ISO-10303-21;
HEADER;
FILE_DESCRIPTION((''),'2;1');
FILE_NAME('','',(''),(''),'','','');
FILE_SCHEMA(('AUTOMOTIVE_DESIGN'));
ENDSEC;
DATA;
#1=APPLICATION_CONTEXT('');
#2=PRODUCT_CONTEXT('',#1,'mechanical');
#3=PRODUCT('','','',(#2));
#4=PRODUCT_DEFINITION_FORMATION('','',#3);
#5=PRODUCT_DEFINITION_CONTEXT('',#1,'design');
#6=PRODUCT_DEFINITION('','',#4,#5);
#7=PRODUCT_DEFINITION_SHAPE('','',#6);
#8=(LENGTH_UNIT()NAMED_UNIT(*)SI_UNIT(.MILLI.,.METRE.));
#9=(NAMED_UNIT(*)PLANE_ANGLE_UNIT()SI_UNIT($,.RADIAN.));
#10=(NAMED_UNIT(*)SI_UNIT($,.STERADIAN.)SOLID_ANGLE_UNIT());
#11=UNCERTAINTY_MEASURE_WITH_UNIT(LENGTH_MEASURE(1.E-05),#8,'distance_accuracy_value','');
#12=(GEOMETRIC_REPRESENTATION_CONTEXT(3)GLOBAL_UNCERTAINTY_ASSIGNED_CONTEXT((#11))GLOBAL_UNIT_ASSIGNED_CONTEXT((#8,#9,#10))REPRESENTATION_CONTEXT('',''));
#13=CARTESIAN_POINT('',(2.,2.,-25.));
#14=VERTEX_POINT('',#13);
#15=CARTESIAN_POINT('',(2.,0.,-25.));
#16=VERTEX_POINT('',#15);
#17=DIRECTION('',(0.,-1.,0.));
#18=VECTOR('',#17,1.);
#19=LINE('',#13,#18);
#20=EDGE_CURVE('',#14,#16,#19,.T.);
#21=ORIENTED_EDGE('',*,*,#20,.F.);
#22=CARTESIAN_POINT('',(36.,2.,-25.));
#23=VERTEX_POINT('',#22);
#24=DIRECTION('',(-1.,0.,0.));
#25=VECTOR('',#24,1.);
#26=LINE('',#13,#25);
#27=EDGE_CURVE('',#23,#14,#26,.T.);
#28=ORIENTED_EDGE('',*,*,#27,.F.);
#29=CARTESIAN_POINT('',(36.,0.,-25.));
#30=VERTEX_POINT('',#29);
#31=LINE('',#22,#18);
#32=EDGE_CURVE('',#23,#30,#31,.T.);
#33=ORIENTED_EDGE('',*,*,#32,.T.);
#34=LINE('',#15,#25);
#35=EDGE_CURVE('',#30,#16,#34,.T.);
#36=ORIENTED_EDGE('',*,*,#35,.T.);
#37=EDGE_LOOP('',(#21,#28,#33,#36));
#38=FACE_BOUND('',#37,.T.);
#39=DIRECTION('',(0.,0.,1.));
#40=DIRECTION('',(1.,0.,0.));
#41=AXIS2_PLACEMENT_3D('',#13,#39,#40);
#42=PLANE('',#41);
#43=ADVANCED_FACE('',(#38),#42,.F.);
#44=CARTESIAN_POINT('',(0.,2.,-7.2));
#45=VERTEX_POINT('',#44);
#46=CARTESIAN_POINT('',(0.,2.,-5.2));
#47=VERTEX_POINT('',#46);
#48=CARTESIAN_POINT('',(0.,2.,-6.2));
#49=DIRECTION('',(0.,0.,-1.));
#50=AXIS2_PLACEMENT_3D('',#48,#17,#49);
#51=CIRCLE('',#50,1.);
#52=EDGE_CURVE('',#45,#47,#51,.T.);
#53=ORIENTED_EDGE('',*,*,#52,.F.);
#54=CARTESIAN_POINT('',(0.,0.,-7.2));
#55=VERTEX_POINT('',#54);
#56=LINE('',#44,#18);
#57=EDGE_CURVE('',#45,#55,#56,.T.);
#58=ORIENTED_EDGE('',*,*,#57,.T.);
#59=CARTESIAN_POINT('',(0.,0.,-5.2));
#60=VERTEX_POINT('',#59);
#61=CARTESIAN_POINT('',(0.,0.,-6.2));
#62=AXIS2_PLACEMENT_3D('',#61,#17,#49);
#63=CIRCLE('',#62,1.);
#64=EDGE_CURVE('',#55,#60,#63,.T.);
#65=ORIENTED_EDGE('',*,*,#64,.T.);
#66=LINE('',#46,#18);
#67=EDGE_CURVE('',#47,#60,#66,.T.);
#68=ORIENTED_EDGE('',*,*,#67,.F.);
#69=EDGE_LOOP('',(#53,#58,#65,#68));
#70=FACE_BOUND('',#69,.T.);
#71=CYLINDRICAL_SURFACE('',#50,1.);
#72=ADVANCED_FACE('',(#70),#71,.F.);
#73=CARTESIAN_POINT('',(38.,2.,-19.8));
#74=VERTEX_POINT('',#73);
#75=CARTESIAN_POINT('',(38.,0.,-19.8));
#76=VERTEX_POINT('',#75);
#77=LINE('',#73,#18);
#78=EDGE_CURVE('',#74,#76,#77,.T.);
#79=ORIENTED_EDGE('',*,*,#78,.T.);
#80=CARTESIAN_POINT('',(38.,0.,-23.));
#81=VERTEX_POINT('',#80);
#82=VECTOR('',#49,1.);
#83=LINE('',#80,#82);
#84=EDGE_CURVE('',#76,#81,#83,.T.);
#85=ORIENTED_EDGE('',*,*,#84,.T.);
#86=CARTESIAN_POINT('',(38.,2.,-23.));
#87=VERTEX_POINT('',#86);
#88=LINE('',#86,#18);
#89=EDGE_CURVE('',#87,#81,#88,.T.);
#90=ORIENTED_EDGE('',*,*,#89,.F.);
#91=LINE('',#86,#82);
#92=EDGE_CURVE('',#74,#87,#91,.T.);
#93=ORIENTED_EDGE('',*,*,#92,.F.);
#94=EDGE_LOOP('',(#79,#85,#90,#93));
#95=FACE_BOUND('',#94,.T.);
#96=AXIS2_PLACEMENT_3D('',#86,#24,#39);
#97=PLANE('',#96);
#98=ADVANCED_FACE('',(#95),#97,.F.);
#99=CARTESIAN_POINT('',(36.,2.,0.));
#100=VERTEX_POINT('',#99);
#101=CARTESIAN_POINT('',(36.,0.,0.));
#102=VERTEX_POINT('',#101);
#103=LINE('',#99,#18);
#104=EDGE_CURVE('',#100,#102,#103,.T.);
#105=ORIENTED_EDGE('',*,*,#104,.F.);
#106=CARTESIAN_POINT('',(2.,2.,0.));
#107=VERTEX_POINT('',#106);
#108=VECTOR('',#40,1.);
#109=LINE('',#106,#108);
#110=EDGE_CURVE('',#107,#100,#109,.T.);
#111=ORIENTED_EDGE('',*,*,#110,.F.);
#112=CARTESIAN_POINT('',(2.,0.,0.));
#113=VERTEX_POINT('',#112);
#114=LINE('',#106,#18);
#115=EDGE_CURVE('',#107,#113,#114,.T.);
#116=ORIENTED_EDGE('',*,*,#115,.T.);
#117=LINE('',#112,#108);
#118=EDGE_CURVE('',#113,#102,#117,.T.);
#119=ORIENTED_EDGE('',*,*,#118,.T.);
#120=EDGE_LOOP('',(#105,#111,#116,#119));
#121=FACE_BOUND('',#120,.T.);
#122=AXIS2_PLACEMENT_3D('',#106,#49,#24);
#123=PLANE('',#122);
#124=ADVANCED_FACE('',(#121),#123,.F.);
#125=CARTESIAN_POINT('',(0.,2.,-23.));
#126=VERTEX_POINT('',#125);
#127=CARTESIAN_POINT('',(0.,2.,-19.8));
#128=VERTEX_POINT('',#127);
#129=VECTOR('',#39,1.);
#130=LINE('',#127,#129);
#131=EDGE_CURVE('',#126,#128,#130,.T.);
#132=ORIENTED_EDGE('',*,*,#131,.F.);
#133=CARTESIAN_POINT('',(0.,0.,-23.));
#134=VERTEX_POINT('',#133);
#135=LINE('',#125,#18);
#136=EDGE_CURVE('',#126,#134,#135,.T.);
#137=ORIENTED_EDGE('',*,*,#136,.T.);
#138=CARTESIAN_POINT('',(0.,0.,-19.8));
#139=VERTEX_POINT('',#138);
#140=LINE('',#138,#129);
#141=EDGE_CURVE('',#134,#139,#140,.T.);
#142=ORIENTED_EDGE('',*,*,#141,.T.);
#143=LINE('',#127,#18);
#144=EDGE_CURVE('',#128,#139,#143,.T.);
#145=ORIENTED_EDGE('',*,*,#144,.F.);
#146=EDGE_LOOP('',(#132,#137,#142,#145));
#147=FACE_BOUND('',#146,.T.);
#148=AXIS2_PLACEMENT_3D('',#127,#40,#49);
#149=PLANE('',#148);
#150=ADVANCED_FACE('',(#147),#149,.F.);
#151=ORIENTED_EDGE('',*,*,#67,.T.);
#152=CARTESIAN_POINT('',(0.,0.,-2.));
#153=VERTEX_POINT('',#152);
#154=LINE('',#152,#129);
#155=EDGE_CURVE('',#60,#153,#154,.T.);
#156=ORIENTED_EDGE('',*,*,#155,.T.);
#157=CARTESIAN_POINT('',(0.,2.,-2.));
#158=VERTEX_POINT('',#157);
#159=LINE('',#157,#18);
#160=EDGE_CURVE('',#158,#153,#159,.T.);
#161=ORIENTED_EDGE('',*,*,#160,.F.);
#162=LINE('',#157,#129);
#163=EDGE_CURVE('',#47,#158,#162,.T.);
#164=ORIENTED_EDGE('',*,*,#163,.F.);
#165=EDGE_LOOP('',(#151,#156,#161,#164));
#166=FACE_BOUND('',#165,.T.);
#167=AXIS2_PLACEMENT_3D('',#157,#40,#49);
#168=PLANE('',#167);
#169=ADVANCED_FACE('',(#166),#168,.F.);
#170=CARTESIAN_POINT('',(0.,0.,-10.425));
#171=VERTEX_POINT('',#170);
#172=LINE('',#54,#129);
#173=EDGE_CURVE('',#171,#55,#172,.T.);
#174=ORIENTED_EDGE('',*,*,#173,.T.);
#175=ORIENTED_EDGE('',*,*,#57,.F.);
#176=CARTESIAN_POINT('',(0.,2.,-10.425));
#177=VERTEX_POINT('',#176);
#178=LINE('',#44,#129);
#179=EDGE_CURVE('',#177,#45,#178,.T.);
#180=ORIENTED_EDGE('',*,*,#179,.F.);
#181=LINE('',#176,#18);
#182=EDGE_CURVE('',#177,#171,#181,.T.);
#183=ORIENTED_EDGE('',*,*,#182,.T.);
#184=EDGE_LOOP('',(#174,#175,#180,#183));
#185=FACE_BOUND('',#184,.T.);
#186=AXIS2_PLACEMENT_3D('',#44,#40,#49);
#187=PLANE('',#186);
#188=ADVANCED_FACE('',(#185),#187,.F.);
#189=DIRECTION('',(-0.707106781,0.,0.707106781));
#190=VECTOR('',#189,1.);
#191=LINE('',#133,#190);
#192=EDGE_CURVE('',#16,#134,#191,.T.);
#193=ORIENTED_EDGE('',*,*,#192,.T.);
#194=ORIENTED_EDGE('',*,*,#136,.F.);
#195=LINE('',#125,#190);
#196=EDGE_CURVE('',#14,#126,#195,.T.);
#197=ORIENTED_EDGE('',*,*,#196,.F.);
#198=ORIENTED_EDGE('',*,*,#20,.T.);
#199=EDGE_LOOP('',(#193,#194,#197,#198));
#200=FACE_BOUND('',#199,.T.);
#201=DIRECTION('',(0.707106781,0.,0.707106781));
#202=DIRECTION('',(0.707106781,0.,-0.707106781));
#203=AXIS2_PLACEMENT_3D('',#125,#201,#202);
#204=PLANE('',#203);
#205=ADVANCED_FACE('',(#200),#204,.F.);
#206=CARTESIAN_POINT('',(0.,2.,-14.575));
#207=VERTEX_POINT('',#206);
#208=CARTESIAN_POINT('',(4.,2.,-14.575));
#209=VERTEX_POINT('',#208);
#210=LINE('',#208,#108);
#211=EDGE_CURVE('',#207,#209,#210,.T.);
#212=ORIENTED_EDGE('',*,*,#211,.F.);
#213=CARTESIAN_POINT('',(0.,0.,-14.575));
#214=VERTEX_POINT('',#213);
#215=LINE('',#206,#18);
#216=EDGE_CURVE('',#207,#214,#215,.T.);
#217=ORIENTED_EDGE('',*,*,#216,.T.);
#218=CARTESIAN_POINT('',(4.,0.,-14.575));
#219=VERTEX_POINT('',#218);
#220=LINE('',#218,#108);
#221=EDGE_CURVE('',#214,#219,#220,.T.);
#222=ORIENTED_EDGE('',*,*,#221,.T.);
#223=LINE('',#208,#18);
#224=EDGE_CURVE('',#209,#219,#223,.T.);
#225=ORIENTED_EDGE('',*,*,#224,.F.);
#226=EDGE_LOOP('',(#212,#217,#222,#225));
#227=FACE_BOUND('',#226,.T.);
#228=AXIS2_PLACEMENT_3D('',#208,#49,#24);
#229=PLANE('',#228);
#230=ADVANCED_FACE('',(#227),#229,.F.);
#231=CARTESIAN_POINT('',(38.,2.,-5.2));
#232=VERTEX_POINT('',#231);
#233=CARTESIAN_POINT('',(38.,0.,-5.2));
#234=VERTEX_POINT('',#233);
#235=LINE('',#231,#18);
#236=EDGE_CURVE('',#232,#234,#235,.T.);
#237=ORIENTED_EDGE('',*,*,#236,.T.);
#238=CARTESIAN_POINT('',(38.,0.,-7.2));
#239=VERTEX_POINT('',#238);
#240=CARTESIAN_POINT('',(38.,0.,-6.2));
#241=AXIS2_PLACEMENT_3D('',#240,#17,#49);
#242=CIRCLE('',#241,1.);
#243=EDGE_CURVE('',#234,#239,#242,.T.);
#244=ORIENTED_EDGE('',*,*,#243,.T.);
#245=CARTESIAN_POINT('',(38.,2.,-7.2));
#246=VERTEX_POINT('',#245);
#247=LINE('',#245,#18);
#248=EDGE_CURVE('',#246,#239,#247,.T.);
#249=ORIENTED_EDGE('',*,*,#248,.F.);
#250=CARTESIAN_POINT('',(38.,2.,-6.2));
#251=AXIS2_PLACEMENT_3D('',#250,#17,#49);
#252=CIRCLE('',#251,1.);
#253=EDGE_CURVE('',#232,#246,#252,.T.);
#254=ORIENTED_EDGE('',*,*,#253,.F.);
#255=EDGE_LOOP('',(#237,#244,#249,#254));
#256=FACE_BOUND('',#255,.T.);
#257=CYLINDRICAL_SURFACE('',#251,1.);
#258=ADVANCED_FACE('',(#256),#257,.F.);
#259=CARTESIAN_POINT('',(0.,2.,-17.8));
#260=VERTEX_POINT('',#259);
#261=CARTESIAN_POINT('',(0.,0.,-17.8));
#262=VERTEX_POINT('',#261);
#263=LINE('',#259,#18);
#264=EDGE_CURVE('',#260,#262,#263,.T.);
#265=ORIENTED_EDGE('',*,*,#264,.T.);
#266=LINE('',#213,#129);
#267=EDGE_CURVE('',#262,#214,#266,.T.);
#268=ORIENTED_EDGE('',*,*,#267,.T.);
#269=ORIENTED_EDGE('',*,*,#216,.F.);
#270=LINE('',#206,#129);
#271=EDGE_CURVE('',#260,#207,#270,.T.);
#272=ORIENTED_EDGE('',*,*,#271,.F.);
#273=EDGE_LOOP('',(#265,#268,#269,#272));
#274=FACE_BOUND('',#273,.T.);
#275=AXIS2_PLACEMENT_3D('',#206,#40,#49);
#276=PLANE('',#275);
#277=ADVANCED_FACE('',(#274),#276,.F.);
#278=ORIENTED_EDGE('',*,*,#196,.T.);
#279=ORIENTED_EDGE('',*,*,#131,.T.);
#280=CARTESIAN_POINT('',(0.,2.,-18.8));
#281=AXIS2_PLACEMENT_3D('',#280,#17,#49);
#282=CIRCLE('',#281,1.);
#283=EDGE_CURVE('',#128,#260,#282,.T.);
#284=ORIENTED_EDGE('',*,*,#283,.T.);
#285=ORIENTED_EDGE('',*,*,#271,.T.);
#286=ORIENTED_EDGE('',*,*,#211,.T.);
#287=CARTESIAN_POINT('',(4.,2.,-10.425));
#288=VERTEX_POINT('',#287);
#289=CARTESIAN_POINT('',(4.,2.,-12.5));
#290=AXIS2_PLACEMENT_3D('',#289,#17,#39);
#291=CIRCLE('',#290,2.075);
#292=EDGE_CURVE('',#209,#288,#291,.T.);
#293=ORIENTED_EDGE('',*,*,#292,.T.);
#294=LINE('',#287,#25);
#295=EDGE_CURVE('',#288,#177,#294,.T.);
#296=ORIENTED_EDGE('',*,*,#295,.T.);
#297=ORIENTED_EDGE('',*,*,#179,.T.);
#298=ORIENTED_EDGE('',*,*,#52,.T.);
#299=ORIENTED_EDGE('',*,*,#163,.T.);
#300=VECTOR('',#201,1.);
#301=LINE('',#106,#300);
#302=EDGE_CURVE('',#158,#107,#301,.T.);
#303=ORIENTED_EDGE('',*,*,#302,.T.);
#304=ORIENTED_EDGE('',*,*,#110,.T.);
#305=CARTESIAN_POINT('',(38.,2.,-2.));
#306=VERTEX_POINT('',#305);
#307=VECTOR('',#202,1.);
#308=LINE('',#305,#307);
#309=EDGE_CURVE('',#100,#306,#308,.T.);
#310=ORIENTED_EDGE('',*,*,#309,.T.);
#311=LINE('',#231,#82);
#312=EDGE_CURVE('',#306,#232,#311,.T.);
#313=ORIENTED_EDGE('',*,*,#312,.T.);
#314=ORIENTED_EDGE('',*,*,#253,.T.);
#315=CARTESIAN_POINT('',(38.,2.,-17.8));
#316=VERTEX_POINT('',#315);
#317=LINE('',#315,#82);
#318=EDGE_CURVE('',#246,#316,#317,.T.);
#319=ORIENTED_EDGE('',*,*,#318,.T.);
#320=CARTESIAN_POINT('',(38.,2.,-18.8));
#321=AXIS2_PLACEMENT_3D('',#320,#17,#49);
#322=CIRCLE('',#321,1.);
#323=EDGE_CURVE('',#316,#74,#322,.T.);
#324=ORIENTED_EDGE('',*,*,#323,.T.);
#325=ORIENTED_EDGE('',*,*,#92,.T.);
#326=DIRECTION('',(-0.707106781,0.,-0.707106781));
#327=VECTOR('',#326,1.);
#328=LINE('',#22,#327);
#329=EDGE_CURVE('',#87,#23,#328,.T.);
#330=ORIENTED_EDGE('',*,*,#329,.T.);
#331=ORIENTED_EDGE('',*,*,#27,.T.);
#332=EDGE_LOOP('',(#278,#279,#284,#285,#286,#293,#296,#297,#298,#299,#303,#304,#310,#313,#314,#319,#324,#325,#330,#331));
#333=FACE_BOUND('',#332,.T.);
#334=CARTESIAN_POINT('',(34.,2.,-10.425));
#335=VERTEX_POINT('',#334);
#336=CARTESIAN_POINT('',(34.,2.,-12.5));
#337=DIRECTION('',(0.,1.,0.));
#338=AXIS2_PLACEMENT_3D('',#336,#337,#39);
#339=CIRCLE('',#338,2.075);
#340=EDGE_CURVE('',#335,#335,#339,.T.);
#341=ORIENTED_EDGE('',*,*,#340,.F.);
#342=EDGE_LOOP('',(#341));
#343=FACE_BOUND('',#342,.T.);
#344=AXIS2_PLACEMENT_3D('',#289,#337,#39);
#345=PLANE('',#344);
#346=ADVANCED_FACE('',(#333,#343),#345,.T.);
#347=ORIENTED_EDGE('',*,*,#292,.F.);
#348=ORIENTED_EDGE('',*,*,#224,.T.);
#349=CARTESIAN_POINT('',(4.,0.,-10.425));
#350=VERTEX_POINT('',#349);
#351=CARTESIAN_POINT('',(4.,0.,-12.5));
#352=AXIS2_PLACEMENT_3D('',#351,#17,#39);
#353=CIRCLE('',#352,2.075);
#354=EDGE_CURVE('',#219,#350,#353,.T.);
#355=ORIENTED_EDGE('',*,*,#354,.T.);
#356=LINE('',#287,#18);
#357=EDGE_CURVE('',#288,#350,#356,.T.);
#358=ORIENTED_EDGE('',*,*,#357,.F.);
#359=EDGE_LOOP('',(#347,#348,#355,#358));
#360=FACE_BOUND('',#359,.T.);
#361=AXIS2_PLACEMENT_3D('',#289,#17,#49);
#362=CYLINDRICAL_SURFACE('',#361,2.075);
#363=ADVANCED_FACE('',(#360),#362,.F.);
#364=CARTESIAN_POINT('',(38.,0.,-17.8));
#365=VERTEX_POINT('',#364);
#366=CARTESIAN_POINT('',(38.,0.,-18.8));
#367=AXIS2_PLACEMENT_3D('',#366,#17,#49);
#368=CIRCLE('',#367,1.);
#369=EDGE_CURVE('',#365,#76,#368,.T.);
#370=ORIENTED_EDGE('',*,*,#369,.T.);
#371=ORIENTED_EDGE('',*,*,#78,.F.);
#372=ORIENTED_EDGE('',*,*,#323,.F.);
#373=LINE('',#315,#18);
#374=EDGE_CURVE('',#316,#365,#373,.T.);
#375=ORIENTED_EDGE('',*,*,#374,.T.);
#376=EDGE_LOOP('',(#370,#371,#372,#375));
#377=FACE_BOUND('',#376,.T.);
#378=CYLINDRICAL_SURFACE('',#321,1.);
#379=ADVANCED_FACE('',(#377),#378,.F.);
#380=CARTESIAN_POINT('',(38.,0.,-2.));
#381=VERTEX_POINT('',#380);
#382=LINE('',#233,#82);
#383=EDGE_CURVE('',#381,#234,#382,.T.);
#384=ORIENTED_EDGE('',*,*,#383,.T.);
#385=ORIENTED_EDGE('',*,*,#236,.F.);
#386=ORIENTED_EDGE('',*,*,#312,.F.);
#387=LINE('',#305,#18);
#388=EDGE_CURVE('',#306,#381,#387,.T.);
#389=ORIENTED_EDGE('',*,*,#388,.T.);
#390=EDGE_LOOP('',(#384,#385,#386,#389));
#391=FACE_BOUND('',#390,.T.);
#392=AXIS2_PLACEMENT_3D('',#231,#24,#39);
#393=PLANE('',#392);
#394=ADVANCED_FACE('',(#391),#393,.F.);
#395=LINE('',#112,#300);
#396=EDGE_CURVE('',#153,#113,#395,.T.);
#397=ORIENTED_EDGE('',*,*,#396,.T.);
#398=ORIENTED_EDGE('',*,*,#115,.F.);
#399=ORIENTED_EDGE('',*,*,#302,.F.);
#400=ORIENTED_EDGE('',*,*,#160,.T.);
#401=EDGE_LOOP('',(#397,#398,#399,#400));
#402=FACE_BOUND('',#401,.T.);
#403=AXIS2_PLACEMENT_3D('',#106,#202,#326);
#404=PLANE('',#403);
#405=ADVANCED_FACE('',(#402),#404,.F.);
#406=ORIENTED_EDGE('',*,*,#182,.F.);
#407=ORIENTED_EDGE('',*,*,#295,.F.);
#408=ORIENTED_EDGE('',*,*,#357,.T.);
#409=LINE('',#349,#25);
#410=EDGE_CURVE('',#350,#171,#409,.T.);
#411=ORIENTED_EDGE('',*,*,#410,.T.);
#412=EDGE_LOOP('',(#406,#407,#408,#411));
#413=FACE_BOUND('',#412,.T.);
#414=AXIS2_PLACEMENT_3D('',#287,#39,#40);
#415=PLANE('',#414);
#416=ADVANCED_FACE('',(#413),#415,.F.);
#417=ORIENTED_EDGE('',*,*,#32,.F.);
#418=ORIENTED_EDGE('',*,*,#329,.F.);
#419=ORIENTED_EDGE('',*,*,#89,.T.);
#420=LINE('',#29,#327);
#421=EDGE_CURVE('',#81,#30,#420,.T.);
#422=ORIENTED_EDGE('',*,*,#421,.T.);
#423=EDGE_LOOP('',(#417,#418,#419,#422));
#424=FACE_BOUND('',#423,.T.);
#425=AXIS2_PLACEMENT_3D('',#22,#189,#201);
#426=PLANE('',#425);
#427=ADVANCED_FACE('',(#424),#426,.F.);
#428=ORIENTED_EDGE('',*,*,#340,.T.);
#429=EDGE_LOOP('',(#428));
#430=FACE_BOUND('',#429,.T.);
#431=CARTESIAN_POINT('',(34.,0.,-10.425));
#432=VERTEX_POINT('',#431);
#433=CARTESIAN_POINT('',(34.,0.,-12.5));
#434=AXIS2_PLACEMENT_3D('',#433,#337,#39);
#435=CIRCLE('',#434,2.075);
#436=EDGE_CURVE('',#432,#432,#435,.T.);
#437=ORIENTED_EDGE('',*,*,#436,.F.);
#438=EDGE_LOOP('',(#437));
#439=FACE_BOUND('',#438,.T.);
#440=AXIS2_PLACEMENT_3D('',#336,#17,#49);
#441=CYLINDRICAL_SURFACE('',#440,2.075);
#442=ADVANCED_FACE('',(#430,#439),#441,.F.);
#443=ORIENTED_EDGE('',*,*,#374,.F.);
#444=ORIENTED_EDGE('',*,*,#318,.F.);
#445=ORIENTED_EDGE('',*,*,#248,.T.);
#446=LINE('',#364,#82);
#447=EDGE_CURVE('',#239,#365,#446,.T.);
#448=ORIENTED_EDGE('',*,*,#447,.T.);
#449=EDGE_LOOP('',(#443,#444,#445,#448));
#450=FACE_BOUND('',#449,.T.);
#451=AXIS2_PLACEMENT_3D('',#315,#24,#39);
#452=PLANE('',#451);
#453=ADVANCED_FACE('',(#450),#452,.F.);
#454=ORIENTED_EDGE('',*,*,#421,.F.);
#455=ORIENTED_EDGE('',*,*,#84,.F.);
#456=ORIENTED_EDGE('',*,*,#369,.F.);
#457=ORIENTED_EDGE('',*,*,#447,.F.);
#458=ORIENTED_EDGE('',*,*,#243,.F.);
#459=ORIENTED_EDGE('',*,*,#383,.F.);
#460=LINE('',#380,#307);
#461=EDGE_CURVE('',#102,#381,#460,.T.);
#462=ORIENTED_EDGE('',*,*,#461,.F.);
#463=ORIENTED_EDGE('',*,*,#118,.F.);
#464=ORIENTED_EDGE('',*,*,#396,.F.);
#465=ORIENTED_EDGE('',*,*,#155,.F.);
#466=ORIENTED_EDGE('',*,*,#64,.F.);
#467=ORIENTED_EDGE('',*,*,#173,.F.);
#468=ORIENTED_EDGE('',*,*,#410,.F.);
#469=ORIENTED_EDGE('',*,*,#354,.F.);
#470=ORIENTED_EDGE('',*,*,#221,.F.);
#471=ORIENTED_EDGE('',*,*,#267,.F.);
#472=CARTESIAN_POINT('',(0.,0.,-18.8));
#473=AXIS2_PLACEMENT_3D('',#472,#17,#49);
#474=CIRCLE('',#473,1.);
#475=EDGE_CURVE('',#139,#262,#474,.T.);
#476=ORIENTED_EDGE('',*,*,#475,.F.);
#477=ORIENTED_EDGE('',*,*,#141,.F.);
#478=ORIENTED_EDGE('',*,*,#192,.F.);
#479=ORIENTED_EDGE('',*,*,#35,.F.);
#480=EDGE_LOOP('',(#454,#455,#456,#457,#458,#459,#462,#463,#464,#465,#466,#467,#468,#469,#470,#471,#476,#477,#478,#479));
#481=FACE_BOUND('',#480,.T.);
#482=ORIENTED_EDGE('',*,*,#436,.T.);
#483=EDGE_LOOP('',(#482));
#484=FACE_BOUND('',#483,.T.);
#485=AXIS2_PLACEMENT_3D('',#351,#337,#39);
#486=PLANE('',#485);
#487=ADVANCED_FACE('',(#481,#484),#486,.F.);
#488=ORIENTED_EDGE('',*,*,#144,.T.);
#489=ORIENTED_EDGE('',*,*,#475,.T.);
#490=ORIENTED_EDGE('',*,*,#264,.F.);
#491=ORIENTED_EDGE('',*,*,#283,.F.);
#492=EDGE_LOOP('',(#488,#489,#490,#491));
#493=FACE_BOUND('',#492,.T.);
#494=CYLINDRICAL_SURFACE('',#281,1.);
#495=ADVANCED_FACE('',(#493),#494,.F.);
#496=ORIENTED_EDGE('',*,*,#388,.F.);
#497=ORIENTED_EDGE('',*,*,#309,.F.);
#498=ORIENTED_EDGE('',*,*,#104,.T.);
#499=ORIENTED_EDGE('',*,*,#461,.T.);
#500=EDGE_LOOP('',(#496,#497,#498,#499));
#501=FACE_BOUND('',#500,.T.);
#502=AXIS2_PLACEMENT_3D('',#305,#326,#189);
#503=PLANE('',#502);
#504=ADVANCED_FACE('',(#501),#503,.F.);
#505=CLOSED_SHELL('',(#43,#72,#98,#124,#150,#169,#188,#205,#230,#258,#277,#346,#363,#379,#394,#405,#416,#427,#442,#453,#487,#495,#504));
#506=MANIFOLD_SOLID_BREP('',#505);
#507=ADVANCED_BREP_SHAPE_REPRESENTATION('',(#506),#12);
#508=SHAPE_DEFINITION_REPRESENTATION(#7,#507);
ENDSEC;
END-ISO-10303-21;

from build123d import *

# Parameters (mm, degrees)
SKETCH1_R      = 2.075
EXTRUDE1_DEPTH = 2


with BuildPart() as part:
    # Sketch1 → Extrude1 (new body)
    with BuildSketch(Plane(origin=(0, 0, 0), x_dir=(1, 0, 0), z_dir=(0, 1, 0))):
        with BuildLine():
            Line((2, 0), (36, 0))
            Line((36, 0), (38, 2))
            Line((38, 2), (38, 5.2))
            ThreePointArc((38, 5.2), (37, 6.2), (38, 7.2))
            Line((38, 7.2), (38, 17.8))
            ThreePointArc((38, 17.8), (37, 18.8), (38, 19.8))
            Line((38, 19.8), (38, 23))
            Line((38, 23), (36, 25))
            Line((36, 25), (2, 25))
            Line((2, 25), (0, 23))
            Line((0, 23), (0, 19.8))
            ThreePointArc((0, 19.8), (1, 18.8), (0, 17.8))
            Line((0, 17.8), (0, 14.575))
            Line((0, 14.575), (4, 14.575))
            ThreePointArc((4, 14.575), (6.075, 12.5), (4, 10.425))
            Line((4, 10.425), (0, 10.425))
            Line((0, 10.425), (0, 7.2))
            ThreePointArc((0, 7.2), (1, 6.2), (0, 5.2))
            Line((0, 5.2), (0, 2))
            Line((0, 2), (2, 0))
        make_face()
        with Locations(Location((34, 12.5, 0), (0, 0, 270))):  # turned: the seam where the file's is
            Circle(SKETCH1_R, mode=Mode.SUBTRACT)
    extrude(amount=EXTRUDE1_DEPTH)


solid = part.part
